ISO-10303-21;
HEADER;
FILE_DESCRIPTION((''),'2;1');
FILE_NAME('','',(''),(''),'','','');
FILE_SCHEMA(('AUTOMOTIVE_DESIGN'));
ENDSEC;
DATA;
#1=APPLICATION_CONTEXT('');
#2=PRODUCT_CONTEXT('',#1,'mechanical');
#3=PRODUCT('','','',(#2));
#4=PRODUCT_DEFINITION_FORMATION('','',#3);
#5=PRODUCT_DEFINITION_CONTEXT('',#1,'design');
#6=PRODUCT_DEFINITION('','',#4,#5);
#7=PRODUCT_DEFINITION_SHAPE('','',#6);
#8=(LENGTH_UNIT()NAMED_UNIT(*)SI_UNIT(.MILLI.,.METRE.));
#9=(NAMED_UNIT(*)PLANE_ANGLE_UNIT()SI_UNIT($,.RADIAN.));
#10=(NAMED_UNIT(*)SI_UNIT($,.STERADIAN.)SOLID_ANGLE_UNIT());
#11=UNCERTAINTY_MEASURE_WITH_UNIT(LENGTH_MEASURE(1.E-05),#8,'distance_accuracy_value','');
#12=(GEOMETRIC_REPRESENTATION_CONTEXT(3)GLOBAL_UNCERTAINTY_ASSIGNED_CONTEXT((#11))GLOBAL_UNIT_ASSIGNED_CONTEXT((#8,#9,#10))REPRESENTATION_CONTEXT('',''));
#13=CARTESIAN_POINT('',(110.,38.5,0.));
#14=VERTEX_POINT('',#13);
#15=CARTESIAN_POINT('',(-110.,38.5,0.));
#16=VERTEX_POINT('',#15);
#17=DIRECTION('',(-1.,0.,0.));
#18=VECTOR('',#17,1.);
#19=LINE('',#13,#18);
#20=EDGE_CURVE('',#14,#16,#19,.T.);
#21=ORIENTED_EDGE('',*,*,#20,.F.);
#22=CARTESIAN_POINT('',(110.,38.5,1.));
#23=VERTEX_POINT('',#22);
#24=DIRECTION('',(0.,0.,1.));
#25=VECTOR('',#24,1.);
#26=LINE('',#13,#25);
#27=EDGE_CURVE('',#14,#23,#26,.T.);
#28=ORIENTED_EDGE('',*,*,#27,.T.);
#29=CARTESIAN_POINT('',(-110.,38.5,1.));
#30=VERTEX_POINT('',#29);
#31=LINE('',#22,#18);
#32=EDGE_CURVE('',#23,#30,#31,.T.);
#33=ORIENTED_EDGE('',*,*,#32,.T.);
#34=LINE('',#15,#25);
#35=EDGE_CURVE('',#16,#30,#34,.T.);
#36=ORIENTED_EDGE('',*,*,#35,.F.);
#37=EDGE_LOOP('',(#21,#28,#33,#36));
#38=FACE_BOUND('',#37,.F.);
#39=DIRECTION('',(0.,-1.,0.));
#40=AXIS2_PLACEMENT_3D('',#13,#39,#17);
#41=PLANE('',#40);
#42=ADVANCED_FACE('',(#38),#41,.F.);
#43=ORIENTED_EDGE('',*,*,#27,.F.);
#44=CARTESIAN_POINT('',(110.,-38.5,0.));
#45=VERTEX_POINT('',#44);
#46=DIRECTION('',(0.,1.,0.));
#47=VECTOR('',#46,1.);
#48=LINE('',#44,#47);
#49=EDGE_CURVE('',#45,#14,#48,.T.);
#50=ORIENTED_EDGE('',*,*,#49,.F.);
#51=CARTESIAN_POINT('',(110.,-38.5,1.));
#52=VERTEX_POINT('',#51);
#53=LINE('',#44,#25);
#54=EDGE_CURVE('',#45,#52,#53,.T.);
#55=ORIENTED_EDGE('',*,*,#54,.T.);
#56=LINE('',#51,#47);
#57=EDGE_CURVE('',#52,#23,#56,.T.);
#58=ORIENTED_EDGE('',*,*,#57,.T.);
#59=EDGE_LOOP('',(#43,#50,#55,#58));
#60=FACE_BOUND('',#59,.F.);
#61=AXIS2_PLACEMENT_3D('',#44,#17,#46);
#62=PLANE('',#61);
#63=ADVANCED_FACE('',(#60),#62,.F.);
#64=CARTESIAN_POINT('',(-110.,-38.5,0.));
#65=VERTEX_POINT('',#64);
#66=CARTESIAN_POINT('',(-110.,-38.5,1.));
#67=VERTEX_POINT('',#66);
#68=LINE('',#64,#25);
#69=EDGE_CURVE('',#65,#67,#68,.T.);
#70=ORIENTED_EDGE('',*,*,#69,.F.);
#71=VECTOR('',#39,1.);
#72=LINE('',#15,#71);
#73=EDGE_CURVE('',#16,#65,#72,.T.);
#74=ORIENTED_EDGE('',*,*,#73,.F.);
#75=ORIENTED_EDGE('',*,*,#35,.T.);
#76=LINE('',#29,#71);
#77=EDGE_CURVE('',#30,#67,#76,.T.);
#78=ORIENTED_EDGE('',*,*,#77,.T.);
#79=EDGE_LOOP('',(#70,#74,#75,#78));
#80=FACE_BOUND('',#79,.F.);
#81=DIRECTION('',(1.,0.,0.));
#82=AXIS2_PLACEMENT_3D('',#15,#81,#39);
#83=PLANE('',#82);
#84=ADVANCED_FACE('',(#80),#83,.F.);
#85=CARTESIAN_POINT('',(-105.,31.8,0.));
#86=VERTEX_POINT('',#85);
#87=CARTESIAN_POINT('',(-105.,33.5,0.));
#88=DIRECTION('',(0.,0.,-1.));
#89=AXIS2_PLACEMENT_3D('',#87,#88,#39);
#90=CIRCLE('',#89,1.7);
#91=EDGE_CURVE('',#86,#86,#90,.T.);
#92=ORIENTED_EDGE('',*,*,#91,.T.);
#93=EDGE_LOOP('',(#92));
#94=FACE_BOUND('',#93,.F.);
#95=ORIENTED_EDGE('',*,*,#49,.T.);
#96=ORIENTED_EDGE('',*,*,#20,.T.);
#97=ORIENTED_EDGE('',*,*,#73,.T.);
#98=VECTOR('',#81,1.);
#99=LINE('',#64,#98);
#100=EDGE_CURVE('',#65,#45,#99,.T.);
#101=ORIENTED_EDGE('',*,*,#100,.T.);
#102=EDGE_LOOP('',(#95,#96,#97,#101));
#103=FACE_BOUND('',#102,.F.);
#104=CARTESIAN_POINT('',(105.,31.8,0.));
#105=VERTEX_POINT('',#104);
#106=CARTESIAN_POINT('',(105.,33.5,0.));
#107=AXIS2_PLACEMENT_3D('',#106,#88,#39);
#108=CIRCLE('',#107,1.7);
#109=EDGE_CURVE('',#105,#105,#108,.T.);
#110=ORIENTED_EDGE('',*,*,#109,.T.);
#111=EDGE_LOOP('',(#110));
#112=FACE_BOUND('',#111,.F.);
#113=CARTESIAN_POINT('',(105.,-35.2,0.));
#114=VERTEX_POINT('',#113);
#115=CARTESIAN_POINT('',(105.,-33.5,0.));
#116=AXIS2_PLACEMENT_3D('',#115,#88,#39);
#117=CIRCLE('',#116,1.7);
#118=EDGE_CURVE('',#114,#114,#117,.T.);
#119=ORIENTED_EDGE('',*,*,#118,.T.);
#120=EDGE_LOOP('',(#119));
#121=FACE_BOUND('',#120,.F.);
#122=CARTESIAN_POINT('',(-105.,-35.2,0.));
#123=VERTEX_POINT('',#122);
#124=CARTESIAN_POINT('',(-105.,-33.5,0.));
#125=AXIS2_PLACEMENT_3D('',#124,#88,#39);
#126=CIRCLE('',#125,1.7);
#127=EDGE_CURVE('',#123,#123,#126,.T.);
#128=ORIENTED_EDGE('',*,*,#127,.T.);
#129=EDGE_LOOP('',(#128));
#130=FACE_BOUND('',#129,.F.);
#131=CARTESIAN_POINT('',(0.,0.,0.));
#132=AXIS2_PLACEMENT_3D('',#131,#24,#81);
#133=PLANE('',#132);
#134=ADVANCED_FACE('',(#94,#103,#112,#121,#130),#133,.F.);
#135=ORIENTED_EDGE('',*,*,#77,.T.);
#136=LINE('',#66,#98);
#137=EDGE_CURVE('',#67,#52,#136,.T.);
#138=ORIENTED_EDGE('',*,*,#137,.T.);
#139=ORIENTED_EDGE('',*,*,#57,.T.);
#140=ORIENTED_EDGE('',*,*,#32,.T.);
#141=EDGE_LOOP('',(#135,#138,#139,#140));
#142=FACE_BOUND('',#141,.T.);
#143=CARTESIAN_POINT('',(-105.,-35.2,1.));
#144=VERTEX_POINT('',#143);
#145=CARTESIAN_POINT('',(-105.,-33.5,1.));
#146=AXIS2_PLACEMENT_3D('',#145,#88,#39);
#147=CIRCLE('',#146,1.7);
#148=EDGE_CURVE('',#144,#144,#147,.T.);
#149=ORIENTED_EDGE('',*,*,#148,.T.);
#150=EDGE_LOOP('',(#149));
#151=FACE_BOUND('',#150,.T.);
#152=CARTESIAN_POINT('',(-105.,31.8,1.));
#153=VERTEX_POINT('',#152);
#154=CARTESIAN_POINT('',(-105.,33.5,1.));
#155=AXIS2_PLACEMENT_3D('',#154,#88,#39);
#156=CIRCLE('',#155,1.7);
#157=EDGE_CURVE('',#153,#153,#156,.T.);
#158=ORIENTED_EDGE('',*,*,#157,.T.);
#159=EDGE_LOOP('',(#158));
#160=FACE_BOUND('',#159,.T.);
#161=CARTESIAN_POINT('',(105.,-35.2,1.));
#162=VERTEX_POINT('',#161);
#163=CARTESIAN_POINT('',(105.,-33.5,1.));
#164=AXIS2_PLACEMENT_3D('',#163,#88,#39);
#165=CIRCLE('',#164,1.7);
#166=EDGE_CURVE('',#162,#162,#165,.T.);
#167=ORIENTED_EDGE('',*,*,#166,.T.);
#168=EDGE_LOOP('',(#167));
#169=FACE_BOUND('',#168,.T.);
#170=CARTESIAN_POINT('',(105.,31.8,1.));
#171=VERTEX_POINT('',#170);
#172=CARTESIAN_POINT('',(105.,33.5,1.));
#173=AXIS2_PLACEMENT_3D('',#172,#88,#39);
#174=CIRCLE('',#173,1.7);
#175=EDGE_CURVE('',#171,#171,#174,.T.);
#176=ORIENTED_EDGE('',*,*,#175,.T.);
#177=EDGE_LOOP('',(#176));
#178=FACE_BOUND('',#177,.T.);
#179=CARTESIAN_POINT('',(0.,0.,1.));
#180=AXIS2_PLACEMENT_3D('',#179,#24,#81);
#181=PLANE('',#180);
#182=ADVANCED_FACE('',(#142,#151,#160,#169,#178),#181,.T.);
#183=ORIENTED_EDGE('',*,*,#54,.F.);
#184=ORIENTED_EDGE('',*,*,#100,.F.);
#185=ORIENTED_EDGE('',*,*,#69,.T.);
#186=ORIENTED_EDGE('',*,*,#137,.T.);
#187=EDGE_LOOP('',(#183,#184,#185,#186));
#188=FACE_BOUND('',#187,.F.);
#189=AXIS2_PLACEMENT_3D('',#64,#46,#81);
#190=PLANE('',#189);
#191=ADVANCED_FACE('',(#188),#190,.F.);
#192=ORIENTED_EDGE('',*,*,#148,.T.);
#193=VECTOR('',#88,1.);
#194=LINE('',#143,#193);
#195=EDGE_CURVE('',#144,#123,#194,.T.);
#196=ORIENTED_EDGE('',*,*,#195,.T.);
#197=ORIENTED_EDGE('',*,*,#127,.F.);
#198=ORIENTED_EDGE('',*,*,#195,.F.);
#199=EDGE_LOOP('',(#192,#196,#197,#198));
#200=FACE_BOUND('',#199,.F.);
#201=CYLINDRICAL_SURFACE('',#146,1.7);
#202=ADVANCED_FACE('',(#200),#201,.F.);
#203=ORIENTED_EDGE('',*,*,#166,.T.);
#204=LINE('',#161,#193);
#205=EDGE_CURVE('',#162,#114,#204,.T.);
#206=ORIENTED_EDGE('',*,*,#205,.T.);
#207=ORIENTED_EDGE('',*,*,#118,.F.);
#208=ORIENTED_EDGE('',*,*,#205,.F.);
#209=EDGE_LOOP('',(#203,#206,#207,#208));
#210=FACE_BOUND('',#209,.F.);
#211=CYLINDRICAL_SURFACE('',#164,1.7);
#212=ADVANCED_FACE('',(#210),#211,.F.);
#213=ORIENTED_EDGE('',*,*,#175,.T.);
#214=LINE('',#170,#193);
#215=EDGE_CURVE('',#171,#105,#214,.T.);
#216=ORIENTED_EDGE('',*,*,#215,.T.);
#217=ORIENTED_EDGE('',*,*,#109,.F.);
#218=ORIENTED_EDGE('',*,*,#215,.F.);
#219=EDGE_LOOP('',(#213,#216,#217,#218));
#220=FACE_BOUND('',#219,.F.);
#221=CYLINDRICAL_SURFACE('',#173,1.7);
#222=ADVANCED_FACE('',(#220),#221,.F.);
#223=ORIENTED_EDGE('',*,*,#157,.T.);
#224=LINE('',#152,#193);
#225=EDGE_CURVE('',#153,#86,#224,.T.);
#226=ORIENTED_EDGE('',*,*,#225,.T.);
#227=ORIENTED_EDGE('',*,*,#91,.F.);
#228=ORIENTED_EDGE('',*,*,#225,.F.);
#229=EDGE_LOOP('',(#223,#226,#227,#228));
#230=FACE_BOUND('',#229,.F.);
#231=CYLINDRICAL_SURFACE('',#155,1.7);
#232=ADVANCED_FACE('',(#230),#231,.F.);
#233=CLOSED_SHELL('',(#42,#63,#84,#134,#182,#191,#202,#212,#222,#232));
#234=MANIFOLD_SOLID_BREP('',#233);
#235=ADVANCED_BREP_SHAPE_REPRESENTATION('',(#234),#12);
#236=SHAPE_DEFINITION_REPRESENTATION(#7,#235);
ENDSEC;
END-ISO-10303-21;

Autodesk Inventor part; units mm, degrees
ref_plane "YZ Plane" through (0, 0, 0) normal (1, 0, 0) x (0, 1, 0)
ref_plane "XZ Plane" through (0, 0, 0) normal (0, 1, 0) x (-1, 0, 0)
ref_plane "XY Plane" through (0, 0, 0) normal (0, 0, 1) x (1, 0, 0)
sketch "スケッチ1" plane through (0, 0, 0) normal (0, 0, 1) x (1, 0, 0)
  line L0 (-110, -38.5) -> (110, -38.5)
  line L1 (110, -38.5) -> (110, 38.5)
  line L2 (110, 38.5) -> (-110, 38.5)
  line L3 (-110, 38.5) -> (-110, -38.5)
  line L4 (-110, -38.5) -> (110, 38.5) construction
  line L5 (110, -38.5) -> (-110, 38.5) construction
  point P0 (0, 0)
  dimension "d0" = 220
  dimension "d1" = 77
extrude "プレート1" add sketch "スケッチ1" along normal blind 1
sketch "スケッチ2" plane through (0, 0, 1) normal (0, 0, 1) x (1, 0, 0)
  line L0 (-110, -38.5) -> (-110, 38.5) projected
  line L1 (110, -38.5) -> (-110, -38.5) projected
  line L2 (110, 38.5) -> (110, -38.5) projected
  line L3 (-110, 38.5) -> (110, 38.5) projected
  line L4 (105, 33.5) -> (105, -33.5)
  line L5 (105, -33.5) -> (-105, -33.5)
  line L6 (-105, -33.5) -> (-105, 33.5)
  line L7 (-105, 33.5) -> (105, 33.5)
  point P0 (0, 0)
  dimension "d3" = 5
hole "穴1" at (-105, 33.5, 1) at (-105, -33.5, 1) at (105, -33.5, 1) at (105, 33.5, 1) direction (0, 0, -1) diameter 3.4 depth 1 clearance for "Flat Head Machine Screw" size "M3" standard "Ansi Metric M Profile"
equation "\"d9\" = Thickness"
equation "\"d2\" = Thickness"
equation "\"BendRadius\" = Thickness"
equation "\"BendReliefWidth\" = Thickness"
equation "\"BendReliefDepth\" = 0.5 * Thickness"
equation "\"CornerReliefSize\" = 4 * Thickness"
equation "\"MinimumRemnant\" = 2 * Thickness"
equation "\"TransitionRadius\" = BendRadius"
equation "\"JacobiRadiusSize\" = Thickness"
equation "\"GapSize\" = Thickness"
equation "\"Thickness\" = 1"
properties part number "carbon_plate14" material "CFRP"
